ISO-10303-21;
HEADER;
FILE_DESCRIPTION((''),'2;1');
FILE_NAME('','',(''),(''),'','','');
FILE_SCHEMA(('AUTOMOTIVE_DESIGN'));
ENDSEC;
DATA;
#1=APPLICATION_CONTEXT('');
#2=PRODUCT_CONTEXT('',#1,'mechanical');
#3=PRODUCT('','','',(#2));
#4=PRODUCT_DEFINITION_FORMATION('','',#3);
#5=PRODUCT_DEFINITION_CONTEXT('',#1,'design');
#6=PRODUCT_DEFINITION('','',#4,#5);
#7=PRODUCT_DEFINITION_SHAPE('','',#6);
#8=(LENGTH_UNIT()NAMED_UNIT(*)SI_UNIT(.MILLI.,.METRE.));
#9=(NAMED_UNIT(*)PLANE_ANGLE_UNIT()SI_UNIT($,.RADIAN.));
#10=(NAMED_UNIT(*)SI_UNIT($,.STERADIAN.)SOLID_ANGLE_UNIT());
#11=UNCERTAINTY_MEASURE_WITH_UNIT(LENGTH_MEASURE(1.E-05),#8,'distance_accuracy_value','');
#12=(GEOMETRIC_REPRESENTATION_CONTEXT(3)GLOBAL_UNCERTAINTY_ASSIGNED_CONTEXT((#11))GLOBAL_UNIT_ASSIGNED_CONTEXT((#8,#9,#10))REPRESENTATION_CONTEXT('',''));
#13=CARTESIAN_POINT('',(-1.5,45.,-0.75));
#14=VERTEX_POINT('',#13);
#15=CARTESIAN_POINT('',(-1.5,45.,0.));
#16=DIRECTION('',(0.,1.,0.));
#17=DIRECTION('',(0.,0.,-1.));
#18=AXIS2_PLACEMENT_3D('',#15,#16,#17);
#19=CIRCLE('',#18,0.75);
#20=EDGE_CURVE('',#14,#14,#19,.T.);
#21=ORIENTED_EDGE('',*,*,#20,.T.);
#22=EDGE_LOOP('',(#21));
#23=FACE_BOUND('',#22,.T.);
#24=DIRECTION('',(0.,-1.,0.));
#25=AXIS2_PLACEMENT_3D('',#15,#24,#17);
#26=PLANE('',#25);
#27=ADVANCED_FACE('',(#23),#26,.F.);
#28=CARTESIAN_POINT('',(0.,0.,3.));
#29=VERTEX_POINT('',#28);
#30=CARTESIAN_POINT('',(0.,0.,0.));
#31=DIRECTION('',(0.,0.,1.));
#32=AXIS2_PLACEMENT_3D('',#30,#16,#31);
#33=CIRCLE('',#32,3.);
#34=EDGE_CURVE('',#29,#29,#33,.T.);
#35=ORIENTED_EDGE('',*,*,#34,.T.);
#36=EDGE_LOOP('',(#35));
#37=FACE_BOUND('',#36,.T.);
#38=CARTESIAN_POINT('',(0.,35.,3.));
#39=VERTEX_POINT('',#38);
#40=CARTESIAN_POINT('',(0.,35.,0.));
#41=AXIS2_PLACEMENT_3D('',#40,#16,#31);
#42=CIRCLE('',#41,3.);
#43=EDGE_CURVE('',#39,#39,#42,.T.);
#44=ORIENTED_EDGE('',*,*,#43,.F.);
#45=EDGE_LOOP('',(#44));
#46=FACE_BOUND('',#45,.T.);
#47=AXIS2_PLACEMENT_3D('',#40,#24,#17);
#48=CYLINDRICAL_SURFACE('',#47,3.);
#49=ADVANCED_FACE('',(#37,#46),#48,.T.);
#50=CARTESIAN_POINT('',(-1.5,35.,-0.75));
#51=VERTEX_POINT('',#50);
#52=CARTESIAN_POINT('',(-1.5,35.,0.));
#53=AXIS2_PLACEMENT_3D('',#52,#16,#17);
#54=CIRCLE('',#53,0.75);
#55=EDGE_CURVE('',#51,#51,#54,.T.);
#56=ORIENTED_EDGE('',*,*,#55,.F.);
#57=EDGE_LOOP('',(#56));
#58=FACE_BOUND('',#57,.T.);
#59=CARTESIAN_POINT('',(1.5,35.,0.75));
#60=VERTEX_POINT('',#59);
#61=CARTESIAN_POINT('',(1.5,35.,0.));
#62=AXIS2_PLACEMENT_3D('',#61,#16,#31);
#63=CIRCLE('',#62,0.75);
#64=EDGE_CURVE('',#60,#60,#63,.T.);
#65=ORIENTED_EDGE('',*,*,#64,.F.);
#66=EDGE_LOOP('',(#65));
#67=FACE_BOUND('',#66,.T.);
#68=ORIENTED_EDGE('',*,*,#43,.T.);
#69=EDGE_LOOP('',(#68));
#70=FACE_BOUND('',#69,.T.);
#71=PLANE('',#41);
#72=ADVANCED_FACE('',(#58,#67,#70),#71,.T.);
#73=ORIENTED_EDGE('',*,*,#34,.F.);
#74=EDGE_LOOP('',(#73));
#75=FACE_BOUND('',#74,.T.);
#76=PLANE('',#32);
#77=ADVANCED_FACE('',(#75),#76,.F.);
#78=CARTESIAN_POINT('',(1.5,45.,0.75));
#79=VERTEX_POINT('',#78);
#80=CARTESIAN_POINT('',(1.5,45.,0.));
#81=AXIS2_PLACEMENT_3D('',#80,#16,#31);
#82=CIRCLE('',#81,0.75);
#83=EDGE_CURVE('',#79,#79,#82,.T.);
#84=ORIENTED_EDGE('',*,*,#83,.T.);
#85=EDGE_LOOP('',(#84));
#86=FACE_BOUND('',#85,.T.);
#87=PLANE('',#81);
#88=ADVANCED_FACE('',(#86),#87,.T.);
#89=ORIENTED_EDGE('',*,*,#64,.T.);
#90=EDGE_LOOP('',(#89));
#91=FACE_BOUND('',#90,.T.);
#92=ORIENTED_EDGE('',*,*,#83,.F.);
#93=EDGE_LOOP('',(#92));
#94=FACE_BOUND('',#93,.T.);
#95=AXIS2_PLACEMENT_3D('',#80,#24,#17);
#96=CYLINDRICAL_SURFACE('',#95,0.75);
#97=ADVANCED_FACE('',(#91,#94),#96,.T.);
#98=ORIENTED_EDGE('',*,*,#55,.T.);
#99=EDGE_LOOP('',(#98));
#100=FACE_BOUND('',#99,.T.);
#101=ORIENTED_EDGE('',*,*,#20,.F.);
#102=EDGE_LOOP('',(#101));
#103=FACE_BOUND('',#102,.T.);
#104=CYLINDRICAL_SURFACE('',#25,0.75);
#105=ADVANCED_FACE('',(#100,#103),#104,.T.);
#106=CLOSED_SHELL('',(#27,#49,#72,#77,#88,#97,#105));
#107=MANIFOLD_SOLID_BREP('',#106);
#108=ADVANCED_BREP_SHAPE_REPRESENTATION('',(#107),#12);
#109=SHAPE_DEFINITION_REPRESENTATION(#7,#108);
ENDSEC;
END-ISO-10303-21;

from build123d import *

# Parameters (mm, degrees)
SKETCH1_R           = 3
BOSS_EXTRUDE1_DEPTH = 35
SKETCH2_R           = 0.75
BOSS_EXTRUDE2_DEPTH = 10


with BuildPart() as part:
    # Sketch1 → Boss-Extrude1 (new body)
    with BuildSketch(Plane(origin=(0, 0, 0), x_dir=(1, 0, 0), z_dir=(0, 1, 0))):
        Circle(SKETCH1_R)
    extrude(amount=BOSS_EXTRUDE1_DEPTH)

    # Sketch2 → Boss-Extrude2 (add)
    with BuildSketch(Plane(origin=(0, 35, 0), x_dir=(1, 0, 0), z_dir=(0, 1, 0))):
        with Locations((1.5, 0)):
            Circle(SKETCH2_R)
        with Locations((-1.5, 0)):
            Circle(SKETCH2_R)
    extrude(amount=BOSS_EXTRUDE2_DEPTH)


solid = part.part
